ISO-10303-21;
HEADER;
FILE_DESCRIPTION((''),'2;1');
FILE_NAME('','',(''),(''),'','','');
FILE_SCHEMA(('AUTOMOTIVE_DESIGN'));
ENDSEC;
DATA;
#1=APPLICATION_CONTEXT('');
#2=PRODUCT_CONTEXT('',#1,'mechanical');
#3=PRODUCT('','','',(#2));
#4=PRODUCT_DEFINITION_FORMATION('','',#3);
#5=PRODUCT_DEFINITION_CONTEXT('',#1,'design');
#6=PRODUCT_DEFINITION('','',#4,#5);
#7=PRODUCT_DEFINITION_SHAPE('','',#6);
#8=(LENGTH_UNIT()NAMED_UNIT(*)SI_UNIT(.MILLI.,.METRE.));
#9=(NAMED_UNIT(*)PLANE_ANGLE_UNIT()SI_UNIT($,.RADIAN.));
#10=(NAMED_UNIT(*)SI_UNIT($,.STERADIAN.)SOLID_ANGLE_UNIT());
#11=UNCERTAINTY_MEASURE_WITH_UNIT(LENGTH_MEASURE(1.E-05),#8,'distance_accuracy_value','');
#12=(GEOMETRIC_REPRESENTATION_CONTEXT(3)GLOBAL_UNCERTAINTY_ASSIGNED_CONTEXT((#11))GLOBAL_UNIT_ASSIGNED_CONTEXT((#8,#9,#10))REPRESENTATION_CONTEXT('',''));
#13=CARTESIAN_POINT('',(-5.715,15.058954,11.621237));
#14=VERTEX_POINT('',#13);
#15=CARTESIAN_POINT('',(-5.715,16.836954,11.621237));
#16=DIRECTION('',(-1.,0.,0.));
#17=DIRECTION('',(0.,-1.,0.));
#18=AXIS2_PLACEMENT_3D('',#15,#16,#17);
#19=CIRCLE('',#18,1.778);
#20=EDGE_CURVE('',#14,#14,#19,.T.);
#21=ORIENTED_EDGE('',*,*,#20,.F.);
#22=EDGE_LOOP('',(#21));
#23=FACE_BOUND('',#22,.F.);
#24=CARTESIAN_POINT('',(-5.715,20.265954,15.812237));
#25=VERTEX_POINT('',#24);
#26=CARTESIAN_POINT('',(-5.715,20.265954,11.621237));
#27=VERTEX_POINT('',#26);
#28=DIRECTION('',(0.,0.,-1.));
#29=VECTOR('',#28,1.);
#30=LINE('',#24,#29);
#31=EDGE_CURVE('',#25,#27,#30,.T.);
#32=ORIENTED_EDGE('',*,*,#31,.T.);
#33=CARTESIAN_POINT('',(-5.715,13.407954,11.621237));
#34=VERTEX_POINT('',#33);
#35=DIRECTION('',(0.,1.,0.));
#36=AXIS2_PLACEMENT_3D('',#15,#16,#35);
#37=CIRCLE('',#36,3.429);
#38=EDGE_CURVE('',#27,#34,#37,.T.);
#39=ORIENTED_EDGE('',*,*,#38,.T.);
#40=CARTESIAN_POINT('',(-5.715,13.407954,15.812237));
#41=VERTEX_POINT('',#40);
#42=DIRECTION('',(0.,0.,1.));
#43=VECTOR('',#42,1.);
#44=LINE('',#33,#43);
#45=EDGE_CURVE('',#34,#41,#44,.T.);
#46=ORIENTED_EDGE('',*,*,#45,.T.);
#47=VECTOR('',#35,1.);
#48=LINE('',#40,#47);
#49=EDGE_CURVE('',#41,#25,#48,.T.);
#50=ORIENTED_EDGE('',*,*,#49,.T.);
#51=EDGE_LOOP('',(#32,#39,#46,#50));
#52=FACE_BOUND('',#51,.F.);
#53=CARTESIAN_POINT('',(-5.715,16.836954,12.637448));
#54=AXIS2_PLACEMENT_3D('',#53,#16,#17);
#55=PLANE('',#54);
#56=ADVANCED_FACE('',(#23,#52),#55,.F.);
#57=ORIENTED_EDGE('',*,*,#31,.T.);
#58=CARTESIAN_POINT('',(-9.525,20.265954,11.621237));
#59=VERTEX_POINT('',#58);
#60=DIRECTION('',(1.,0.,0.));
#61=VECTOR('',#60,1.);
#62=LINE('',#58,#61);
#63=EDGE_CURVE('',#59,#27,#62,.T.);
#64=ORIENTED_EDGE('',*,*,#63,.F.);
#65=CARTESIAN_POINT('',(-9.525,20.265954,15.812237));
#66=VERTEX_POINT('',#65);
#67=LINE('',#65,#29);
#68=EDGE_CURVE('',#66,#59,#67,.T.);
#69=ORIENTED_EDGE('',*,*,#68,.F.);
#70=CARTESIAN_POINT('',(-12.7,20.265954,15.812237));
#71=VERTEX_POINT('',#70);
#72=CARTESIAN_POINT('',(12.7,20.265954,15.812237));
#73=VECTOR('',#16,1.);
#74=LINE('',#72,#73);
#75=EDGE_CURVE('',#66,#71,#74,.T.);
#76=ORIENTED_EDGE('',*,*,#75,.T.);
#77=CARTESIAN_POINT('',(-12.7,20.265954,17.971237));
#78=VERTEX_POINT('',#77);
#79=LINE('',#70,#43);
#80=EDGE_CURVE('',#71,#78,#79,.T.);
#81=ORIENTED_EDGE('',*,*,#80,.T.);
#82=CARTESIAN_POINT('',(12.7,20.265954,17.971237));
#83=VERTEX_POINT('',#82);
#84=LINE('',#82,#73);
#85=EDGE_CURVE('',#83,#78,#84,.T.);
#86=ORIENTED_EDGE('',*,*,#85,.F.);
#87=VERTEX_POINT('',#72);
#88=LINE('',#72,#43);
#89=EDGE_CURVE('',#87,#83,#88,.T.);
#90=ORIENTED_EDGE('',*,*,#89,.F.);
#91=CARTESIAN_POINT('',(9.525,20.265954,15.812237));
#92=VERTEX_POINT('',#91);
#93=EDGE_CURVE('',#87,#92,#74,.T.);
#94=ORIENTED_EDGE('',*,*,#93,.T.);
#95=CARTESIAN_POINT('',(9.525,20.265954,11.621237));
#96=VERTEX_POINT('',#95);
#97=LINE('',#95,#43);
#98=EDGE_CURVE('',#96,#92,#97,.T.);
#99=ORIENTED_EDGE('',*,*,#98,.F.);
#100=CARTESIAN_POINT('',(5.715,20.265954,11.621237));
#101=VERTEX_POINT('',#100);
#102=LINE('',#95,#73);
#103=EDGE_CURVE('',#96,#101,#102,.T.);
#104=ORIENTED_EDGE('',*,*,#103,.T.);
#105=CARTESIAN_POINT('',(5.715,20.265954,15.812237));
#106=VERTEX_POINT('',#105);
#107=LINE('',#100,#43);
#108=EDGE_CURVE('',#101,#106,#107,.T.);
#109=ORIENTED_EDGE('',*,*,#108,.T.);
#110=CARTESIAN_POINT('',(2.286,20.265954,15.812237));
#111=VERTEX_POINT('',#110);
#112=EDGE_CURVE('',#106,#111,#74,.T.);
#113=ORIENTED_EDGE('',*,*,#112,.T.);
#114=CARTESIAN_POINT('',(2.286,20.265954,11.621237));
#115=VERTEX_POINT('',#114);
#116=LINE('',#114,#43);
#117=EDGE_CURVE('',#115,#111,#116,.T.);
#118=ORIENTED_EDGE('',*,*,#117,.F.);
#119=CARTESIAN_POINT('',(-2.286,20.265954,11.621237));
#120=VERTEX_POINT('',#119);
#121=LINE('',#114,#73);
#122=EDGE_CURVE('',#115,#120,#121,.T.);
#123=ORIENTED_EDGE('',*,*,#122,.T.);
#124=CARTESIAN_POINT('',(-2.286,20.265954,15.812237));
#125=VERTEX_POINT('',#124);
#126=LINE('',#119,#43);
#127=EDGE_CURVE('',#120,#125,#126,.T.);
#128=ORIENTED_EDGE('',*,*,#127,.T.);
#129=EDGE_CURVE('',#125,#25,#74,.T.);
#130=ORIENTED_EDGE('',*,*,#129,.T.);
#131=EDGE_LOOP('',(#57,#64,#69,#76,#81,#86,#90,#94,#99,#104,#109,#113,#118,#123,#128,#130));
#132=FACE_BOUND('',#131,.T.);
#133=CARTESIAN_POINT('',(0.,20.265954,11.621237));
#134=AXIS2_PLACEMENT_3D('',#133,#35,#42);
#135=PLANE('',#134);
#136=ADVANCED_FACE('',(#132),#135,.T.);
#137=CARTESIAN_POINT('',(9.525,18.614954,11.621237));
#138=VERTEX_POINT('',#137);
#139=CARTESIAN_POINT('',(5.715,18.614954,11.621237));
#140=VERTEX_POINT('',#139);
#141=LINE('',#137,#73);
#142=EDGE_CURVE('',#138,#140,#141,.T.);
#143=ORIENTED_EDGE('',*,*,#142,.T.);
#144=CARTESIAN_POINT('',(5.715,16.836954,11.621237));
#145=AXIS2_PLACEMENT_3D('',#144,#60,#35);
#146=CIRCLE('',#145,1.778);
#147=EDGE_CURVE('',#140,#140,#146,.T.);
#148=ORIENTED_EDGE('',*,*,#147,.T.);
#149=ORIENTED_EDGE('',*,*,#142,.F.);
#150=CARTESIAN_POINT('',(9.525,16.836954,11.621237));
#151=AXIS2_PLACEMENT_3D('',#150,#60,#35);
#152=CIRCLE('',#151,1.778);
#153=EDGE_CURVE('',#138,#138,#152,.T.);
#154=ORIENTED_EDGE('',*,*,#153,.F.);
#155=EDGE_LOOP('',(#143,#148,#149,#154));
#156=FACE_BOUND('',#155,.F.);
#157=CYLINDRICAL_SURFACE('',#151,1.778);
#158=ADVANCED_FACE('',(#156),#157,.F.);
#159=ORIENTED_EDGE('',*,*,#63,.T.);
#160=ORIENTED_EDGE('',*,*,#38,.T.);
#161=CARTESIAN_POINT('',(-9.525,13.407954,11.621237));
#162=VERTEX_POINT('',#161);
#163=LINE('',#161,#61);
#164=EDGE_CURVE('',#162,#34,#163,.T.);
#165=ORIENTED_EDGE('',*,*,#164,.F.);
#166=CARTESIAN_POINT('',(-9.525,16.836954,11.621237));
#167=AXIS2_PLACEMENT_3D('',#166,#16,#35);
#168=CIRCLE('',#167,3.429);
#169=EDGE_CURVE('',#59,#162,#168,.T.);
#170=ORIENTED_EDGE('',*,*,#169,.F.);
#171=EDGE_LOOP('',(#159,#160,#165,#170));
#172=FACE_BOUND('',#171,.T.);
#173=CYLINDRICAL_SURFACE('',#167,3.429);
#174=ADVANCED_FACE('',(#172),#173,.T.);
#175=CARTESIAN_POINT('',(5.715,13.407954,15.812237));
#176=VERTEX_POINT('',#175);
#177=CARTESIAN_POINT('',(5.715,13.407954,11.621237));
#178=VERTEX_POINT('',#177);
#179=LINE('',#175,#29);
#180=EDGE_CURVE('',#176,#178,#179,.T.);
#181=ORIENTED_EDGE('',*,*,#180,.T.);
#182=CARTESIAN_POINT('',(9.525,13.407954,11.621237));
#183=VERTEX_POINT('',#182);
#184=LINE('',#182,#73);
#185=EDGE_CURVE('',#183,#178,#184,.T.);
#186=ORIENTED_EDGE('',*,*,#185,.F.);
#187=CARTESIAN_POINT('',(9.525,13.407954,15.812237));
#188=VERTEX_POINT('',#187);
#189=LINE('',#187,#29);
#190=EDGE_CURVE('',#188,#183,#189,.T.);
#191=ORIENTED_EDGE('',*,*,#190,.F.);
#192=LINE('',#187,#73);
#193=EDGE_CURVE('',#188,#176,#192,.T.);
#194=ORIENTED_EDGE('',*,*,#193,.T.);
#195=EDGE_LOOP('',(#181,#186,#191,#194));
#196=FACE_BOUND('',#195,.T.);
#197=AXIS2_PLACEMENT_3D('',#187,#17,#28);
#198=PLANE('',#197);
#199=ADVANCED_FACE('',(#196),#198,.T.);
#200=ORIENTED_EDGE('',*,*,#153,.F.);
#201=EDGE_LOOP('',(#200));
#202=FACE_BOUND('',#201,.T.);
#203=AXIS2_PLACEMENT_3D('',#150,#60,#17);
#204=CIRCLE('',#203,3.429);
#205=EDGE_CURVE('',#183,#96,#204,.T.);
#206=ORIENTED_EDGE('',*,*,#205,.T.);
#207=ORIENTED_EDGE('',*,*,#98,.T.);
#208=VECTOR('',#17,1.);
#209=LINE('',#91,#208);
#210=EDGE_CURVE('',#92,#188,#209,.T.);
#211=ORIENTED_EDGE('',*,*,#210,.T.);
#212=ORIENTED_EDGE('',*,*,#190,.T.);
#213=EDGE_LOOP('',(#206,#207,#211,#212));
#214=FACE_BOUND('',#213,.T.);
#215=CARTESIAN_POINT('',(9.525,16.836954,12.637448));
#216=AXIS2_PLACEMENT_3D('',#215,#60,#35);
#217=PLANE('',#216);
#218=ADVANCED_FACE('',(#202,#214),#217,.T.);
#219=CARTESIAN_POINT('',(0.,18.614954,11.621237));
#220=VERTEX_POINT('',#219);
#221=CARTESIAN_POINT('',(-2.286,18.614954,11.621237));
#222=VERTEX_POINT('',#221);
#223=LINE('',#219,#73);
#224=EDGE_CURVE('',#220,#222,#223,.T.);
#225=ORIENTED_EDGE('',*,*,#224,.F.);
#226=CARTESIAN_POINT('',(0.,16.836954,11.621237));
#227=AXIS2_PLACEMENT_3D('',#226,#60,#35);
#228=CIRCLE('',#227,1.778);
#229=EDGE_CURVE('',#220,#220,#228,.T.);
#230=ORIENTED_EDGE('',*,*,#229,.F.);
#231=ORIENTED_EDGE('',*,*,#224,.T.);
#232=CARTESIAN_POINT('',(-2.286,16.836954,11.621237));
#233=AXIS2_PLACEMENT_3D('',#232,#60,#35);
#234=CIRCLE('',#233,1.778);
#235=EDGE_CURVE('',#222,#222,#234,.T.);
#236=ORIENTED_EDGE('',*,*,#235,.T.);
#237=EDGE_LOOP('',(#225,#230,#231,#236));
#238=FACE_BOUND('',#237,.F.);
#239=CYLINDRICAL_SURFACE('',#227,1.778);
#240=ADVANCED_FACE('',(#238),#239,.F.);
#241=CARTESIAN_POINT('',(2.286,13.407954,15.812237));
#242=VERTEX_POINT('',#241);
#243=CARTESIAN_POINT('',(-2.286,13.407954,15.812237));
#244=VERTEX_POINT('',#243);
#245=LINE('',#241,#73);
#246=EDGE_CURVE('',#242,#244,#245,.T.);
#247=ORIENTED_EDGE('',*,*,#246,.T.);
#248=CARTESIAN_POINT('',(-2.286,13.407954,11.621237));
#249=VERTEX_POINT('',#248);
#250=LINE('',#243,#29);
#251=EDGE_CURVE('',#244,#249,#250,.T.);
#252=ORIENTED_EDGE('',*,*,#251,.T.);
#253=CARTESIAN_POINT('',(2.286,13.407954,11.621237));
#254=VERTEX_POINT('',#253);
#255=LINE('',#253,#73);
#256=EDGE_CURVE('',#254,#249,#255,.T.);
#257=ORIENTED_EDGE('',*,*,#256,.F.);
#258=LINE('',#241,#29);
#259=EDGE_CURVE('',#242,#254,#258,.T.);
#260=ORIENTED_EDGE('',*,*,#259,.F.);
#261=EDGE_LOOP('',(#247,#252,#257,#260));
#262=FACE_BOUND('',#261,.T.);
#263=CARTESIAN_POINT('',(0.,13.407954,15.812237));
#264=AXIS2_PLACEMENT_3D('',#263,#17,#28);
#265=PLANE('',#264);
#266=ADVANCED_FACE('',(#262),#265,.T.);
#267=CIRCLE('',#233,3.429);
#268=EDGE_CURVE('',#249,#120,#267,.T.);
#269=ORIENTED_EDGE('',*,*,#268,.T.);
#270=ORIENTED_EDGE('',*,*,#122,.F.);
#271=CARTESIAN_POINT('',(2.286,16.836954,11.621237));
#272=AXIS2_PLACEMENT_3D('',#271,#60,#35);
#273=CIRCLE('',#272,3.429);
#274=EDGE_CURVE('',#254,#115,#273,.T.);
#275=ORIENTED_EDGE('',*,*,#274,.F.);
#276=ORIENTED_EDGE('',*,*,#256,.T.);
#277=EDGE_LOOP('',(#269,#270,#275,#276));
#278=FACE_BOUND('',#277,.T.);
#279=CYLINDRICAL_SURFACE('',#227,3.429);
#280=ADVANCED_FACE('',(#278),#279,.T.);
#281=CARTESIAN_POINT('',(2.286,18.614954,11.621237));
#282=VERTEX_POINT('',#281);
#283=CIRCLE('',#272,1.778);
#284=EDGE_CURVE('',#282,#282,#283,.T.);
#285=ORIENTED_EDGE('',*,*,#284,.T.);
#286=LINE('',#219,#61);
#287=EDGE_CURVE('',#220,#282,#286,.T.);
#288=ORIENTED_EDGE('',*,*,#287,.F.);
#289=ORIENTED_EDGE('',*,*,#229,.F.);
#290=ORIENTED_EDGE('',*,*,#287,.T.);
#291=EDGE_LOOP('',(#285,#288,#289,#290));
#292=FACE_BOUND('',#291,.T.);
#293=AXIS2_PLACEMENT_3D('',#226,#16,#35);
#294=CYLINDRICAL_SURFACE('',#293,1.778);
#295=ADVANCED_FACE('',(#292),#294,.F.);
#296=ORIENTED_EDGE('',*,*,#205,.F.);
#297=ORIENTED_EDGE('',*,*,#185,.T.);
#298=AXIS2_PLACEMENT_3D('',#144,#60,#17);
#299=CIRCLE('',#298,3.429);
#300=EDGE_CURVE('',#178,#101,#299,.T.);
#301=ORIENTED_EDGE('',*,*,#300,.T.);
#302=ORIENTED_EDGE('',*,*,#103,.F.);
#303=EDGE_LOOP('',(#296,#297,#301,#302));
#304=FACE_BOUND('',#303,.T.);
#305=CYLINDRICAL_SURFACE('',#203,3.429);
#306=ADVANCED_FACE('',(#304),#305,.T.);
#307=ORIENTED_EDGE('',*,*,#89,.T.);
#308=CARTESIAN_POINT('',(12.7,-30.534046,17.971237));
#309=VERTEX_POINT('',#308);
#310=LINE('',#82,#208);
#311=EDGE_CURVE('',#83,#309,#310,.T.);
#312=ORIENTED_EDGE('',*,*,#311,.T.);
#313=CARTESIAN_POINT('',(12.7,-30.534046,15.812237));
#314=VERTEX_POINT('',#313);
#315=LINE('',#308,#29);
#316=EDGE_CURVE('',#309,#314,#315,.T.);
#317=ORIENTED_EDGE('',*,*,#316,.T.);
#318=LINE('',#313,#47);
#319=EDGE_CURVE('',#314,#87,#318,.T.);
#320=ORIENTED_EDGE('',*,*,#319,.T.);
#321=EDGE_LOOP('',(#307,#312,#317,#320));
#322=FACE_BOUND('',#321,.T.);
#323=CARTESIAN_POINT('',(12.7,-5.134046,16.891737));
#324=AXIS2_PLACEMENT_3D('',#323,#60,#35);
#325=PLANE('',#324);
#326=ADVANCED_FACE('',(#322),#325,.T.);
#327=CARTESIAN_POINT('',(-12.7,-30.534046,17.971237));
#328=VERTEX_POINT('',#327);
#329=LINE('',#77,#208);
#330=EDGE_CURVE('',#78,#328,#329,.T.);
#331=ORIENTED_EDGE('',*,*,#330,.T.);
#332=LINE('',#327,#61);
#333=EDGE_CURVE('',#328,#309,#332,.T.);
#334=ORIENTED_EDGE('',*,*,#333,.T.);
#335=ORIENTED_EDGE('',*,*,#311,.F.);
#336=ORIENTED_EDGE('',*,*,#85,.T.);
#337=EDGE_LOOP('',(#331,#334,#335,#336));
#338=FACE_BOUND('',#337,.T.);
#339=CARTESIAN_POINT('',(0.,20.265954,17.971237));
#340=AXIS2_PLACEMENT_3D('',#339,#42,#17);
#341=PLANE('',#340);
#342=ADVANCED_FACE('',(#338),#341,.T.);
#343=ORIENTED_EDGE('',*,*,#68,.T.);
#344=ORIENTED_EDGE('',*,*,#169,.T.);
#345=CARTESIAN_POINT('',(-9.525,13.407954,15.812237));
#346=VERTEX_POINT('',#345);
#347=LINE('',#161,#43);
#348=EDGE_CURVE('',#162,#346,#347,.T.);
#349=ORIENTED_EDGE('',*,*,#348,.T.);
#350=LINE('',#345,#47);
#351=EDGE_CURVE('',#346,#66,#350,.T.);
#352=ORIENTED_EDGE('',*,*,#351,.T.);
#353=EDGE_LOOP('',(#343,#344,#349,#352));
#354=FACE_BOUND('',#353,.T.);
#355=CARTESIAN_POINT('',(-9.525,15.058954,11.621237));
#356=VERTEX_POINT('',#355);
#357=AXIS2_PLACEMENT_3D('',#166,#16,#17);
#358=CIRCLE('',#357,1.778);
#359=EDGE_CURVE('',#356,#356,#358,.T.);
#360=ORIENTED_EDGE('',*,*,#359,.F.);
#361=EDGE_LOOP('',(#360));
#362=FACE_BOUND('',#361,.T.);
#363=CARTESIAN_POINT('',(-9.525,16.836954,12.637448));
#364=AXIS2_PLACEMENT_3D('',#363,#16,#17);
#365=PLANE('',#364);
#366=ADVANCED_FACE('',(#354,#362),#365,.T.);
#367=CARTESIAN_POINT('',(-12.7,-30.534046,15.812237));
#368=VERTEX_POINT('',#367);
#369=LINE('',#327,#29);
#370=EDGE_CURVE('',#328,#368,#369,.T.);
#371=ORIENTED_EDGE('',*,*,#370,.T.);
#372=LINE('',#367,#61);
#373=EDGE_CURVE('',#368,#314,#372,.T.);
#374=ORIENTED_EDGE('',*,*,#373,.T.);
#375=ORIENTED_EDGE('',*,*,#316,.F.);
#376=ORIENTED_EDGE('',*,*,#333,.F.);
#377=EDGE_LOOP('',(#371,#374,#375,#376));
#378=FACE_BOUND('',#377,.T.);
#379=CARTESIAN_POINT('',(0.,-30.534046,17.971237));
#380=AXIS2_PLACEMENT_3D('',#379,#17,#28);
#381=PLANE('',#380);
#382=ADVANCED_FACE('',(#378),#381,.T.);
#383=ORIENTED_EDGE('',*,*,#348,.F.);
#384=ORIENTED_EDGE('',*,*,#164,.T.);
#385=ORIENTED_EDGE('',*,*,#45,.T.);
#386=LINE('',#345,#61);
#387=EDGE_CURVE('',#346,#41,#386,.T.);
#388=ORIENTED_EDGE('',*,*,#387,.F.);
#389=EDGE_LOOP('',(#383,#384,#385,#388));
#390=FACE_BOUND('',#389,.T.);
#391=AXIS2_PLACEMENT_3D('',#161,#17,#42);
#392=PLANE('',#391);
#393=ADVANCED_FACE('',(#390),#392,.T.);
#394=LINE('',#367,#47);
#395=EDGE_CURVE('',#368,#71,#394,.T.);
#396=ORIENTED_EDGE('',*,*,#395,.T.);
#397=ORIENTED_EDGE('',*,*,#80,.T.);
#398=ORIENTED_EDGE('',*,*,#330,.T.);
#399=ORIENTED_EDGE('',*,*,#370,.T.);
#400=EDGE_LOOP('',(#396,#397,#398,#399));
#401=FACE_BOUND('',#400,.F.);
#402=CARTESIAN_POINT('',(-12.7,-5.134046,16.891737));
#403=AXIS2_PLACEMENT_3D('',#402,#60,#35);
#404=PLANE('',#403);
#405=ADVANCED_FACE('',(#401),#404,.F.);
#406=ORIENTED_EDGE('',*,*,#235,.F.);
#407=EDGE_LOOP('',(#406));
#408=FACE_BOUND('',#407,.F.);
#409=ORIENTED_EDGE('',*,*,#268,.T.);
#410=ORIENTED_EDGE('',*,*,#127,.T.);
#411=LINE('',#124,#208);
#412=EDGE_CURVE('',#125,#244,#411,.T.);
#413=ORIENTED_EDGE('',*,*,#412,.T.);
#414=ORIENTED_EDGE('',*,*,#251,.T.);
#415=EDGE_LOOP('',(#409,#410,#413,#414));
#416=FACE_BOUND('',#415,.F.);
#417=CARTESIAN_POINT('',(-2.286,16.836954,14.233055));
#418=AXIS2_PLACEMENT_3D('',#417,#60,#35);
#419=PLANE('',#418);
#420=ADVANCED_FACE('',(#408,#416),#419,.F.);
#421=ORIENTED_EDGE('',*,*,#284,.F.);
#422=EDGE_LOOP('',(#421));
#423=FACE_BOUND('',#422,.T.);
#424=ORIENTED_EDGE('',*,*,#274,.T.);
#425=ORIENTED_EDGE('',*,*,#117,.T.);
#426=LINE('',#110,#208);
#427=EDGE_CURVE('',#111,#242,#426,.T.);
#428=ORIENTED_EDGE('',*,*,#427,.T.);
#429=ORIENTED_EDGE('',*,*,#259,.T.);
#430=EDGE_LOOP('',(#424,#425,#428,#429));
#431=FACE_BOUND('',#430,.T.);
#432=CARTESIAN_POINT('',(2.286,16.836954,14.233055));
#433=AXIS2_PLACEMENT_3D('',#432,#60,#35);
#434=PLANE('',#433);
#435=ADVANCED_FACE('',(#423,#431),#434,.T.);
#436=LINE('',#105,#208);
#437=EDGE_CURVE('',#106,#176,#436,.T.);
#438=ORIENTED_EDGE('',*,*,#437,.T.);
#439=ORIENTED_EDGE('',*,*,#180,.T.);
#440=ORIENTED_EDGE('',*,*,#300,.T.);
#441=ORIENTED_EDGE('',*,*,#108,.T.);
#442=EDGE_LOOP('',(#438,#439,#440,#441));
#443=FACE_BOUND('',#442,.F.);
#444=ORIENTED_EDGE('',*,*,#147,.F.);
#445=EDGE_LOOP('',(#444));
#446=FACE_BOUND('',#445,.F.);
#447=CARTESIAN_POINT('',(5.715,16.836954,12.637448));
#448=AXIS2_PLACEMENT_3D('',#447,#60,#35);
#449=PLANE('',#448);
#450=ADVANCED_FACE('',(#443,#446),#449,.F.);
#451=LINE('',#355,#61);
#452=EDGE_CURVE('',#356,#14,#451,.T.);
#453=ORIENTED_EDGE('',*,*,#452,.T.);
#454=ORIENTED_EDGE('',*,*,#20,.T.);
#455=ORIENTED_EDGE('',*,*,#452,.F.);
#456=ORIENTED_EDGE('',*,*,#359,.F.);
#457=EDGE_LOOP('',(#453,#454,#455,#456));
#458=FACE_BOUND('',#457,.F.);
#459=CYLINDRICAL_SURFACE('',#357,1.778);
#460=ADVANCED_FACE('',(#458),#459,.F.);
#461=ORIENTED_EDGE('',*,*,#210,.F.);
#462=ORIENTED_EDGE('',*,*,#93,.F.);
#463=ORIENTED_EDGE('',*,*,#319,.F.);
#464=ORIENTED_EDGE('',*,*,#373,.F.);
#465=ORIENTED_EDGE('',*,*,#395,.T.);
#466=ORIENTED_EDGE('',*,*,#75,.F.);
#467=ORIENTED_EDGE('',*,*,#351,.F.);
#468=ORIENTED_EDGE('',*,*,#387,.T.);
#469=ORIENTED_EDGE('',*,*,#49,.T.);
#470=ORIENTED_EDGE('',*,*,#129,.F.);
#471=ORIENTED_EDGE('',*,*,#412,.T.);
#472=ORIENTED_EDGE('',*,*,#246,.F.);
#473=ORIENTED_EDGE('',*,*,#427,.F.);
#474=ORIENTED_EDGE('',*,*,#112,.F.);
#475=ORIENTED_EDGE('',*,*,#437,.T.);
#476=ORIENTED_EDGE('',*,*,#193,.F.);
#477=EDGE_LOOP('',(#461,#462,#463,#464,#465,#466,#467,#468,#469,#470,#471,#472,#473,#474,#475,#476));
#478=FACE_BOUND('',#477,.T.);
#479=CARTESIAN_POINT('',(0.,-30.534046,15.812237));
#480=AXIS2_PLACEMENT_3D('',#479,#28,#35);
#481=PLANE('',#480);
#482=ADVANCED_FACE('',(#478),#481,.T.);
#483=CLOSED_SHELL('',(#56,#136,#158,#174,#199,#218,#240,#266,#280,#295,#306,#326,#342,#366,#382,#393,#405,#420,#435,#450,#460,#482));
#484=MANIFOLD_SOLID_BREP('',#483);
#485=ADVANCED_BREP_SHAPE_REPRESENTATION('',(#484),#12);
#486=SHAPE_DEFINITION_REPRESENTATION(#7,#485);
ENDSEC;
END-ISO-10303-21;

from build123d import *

# Parameters (mm, degrees)
F1_DEPTH      = 12.7
F1_DEPTH_BACK = 12.7
F0_R          = 1.778
F2_DEPTH      = 2.286
F2_DEPTH_BACK = 2.286
F4_R          = 1.778
F5_DEPTH      = 3.81
F7_R          = 1.778
F8_DEPTH      = 3.81


with BuildPart() as f1:
    # F0 (on Right) → F1 (new body, two sides)
    with BuildSketch(Plane.YZ) as f1_sk:
        Polygon((20.2659536765, 17.9712367281), (-30.5340463235, 17.9712367281), (-30.5340463235, 15.8122367281), (13.4079536765, 15.8122367281), (20.2659536765, 15.8122367281), align=None)
    extrude(amount=F1_DEPTH)
    extrude(f1_sk.sketch, amount=-F1_DEPTH_BACK)

    # F0 (on Right) → F2 (join, two sides)
    with BuildSketch(Plane.YZ) as f2_sk:
        with BuildLine():
            Line((20.2659536765, 11.6212367281), (20.2659536765, 15.8122367281))
            Line((20.2659536765, 15.8122367281), (13.4079536765, 15.8122367281))
            Line((13.4079536765, 15.8122367281), (13.4079536765, 11.6212367281))
            ThreePointArc((13.4079536765, 11.6212367281), (16.8369536765, 15.0502367281), (20.2659536765, 11.6212367281))
        make_face()
        with BuildLine():
            ThreePointArc((13.4079536765, 11.6212367281), (16.8369536765, 8.1922367281), (20.2659536765, 11.6212367281))
            ThreePointArc((20.2659536765, 11.6212367281), (16.8369536765, 15.0502367281), (13.4079536765, 11.6212367281))
        make_face()
        with Locations((16.8369536765, 11.6212367281)):
            Circle(F0_R, mode=Mode.SUBTRACT)
    extrude(amount=F2_DEPTH)
    extrude(f2_sk.sketch, amount=-F2_DEPTH_BACK)

    # F4 (on offset) → F5 (join)
    with BuildSketch(Plane.YZ.offset(9.525)):
        with BuildLine():
            Line((20.2659536765, 15.8122367281), (13.4079536765, 15.8122367281))
            Line((13.4079536765, 15.8122367281), (13.4079536765, 11.6212367281))
            ThreePointArc((13.4079536765, 11.6212367281), (16.8369536765, 8.1922367281), (20.2659536765, 11.6212367281))
            Line((20.2659536765, 11.6212367281), (20.2659536765, 15.8122367281))
        make_face()
        with Locations((16.8369536765, 11.6212367281)):
            Circle(F4_R, mode=Mode.SUBTRACT)
    extrude(amount=-F5_DEPTH)

    # F7 (on offset) → F8 (join)
    with BuildSketch(Plane(origin=(-9.525, 0, 0), x_dir=(0, -1, 0), z_dir=(-1, 0, 0))):
        with BuildLine():
            Line((-13.4079536765, 11.6212367281), (-13.4079536765, 15.8122367281))
            Line((-13.4079536765, 15.8122367281), (-20.2659536765, 15.8122367281))
            Line((-20.2659536765, 15.8122367281), (-20.2659536765, 11.6212367281))
            ThreePointArc((-20.2659536765, 11.6212367281), (-16.8369536765, 8.1922367281), (-13.4079536765, 11.6212367281))
        make_face()
        with Locations((-16.8369536765, 11.6212367281)):
            Circle(F7_R, mode=Mode.SUBTRACT)
    extrude(amount=-F8_DEPTH)


solid = f1.part
